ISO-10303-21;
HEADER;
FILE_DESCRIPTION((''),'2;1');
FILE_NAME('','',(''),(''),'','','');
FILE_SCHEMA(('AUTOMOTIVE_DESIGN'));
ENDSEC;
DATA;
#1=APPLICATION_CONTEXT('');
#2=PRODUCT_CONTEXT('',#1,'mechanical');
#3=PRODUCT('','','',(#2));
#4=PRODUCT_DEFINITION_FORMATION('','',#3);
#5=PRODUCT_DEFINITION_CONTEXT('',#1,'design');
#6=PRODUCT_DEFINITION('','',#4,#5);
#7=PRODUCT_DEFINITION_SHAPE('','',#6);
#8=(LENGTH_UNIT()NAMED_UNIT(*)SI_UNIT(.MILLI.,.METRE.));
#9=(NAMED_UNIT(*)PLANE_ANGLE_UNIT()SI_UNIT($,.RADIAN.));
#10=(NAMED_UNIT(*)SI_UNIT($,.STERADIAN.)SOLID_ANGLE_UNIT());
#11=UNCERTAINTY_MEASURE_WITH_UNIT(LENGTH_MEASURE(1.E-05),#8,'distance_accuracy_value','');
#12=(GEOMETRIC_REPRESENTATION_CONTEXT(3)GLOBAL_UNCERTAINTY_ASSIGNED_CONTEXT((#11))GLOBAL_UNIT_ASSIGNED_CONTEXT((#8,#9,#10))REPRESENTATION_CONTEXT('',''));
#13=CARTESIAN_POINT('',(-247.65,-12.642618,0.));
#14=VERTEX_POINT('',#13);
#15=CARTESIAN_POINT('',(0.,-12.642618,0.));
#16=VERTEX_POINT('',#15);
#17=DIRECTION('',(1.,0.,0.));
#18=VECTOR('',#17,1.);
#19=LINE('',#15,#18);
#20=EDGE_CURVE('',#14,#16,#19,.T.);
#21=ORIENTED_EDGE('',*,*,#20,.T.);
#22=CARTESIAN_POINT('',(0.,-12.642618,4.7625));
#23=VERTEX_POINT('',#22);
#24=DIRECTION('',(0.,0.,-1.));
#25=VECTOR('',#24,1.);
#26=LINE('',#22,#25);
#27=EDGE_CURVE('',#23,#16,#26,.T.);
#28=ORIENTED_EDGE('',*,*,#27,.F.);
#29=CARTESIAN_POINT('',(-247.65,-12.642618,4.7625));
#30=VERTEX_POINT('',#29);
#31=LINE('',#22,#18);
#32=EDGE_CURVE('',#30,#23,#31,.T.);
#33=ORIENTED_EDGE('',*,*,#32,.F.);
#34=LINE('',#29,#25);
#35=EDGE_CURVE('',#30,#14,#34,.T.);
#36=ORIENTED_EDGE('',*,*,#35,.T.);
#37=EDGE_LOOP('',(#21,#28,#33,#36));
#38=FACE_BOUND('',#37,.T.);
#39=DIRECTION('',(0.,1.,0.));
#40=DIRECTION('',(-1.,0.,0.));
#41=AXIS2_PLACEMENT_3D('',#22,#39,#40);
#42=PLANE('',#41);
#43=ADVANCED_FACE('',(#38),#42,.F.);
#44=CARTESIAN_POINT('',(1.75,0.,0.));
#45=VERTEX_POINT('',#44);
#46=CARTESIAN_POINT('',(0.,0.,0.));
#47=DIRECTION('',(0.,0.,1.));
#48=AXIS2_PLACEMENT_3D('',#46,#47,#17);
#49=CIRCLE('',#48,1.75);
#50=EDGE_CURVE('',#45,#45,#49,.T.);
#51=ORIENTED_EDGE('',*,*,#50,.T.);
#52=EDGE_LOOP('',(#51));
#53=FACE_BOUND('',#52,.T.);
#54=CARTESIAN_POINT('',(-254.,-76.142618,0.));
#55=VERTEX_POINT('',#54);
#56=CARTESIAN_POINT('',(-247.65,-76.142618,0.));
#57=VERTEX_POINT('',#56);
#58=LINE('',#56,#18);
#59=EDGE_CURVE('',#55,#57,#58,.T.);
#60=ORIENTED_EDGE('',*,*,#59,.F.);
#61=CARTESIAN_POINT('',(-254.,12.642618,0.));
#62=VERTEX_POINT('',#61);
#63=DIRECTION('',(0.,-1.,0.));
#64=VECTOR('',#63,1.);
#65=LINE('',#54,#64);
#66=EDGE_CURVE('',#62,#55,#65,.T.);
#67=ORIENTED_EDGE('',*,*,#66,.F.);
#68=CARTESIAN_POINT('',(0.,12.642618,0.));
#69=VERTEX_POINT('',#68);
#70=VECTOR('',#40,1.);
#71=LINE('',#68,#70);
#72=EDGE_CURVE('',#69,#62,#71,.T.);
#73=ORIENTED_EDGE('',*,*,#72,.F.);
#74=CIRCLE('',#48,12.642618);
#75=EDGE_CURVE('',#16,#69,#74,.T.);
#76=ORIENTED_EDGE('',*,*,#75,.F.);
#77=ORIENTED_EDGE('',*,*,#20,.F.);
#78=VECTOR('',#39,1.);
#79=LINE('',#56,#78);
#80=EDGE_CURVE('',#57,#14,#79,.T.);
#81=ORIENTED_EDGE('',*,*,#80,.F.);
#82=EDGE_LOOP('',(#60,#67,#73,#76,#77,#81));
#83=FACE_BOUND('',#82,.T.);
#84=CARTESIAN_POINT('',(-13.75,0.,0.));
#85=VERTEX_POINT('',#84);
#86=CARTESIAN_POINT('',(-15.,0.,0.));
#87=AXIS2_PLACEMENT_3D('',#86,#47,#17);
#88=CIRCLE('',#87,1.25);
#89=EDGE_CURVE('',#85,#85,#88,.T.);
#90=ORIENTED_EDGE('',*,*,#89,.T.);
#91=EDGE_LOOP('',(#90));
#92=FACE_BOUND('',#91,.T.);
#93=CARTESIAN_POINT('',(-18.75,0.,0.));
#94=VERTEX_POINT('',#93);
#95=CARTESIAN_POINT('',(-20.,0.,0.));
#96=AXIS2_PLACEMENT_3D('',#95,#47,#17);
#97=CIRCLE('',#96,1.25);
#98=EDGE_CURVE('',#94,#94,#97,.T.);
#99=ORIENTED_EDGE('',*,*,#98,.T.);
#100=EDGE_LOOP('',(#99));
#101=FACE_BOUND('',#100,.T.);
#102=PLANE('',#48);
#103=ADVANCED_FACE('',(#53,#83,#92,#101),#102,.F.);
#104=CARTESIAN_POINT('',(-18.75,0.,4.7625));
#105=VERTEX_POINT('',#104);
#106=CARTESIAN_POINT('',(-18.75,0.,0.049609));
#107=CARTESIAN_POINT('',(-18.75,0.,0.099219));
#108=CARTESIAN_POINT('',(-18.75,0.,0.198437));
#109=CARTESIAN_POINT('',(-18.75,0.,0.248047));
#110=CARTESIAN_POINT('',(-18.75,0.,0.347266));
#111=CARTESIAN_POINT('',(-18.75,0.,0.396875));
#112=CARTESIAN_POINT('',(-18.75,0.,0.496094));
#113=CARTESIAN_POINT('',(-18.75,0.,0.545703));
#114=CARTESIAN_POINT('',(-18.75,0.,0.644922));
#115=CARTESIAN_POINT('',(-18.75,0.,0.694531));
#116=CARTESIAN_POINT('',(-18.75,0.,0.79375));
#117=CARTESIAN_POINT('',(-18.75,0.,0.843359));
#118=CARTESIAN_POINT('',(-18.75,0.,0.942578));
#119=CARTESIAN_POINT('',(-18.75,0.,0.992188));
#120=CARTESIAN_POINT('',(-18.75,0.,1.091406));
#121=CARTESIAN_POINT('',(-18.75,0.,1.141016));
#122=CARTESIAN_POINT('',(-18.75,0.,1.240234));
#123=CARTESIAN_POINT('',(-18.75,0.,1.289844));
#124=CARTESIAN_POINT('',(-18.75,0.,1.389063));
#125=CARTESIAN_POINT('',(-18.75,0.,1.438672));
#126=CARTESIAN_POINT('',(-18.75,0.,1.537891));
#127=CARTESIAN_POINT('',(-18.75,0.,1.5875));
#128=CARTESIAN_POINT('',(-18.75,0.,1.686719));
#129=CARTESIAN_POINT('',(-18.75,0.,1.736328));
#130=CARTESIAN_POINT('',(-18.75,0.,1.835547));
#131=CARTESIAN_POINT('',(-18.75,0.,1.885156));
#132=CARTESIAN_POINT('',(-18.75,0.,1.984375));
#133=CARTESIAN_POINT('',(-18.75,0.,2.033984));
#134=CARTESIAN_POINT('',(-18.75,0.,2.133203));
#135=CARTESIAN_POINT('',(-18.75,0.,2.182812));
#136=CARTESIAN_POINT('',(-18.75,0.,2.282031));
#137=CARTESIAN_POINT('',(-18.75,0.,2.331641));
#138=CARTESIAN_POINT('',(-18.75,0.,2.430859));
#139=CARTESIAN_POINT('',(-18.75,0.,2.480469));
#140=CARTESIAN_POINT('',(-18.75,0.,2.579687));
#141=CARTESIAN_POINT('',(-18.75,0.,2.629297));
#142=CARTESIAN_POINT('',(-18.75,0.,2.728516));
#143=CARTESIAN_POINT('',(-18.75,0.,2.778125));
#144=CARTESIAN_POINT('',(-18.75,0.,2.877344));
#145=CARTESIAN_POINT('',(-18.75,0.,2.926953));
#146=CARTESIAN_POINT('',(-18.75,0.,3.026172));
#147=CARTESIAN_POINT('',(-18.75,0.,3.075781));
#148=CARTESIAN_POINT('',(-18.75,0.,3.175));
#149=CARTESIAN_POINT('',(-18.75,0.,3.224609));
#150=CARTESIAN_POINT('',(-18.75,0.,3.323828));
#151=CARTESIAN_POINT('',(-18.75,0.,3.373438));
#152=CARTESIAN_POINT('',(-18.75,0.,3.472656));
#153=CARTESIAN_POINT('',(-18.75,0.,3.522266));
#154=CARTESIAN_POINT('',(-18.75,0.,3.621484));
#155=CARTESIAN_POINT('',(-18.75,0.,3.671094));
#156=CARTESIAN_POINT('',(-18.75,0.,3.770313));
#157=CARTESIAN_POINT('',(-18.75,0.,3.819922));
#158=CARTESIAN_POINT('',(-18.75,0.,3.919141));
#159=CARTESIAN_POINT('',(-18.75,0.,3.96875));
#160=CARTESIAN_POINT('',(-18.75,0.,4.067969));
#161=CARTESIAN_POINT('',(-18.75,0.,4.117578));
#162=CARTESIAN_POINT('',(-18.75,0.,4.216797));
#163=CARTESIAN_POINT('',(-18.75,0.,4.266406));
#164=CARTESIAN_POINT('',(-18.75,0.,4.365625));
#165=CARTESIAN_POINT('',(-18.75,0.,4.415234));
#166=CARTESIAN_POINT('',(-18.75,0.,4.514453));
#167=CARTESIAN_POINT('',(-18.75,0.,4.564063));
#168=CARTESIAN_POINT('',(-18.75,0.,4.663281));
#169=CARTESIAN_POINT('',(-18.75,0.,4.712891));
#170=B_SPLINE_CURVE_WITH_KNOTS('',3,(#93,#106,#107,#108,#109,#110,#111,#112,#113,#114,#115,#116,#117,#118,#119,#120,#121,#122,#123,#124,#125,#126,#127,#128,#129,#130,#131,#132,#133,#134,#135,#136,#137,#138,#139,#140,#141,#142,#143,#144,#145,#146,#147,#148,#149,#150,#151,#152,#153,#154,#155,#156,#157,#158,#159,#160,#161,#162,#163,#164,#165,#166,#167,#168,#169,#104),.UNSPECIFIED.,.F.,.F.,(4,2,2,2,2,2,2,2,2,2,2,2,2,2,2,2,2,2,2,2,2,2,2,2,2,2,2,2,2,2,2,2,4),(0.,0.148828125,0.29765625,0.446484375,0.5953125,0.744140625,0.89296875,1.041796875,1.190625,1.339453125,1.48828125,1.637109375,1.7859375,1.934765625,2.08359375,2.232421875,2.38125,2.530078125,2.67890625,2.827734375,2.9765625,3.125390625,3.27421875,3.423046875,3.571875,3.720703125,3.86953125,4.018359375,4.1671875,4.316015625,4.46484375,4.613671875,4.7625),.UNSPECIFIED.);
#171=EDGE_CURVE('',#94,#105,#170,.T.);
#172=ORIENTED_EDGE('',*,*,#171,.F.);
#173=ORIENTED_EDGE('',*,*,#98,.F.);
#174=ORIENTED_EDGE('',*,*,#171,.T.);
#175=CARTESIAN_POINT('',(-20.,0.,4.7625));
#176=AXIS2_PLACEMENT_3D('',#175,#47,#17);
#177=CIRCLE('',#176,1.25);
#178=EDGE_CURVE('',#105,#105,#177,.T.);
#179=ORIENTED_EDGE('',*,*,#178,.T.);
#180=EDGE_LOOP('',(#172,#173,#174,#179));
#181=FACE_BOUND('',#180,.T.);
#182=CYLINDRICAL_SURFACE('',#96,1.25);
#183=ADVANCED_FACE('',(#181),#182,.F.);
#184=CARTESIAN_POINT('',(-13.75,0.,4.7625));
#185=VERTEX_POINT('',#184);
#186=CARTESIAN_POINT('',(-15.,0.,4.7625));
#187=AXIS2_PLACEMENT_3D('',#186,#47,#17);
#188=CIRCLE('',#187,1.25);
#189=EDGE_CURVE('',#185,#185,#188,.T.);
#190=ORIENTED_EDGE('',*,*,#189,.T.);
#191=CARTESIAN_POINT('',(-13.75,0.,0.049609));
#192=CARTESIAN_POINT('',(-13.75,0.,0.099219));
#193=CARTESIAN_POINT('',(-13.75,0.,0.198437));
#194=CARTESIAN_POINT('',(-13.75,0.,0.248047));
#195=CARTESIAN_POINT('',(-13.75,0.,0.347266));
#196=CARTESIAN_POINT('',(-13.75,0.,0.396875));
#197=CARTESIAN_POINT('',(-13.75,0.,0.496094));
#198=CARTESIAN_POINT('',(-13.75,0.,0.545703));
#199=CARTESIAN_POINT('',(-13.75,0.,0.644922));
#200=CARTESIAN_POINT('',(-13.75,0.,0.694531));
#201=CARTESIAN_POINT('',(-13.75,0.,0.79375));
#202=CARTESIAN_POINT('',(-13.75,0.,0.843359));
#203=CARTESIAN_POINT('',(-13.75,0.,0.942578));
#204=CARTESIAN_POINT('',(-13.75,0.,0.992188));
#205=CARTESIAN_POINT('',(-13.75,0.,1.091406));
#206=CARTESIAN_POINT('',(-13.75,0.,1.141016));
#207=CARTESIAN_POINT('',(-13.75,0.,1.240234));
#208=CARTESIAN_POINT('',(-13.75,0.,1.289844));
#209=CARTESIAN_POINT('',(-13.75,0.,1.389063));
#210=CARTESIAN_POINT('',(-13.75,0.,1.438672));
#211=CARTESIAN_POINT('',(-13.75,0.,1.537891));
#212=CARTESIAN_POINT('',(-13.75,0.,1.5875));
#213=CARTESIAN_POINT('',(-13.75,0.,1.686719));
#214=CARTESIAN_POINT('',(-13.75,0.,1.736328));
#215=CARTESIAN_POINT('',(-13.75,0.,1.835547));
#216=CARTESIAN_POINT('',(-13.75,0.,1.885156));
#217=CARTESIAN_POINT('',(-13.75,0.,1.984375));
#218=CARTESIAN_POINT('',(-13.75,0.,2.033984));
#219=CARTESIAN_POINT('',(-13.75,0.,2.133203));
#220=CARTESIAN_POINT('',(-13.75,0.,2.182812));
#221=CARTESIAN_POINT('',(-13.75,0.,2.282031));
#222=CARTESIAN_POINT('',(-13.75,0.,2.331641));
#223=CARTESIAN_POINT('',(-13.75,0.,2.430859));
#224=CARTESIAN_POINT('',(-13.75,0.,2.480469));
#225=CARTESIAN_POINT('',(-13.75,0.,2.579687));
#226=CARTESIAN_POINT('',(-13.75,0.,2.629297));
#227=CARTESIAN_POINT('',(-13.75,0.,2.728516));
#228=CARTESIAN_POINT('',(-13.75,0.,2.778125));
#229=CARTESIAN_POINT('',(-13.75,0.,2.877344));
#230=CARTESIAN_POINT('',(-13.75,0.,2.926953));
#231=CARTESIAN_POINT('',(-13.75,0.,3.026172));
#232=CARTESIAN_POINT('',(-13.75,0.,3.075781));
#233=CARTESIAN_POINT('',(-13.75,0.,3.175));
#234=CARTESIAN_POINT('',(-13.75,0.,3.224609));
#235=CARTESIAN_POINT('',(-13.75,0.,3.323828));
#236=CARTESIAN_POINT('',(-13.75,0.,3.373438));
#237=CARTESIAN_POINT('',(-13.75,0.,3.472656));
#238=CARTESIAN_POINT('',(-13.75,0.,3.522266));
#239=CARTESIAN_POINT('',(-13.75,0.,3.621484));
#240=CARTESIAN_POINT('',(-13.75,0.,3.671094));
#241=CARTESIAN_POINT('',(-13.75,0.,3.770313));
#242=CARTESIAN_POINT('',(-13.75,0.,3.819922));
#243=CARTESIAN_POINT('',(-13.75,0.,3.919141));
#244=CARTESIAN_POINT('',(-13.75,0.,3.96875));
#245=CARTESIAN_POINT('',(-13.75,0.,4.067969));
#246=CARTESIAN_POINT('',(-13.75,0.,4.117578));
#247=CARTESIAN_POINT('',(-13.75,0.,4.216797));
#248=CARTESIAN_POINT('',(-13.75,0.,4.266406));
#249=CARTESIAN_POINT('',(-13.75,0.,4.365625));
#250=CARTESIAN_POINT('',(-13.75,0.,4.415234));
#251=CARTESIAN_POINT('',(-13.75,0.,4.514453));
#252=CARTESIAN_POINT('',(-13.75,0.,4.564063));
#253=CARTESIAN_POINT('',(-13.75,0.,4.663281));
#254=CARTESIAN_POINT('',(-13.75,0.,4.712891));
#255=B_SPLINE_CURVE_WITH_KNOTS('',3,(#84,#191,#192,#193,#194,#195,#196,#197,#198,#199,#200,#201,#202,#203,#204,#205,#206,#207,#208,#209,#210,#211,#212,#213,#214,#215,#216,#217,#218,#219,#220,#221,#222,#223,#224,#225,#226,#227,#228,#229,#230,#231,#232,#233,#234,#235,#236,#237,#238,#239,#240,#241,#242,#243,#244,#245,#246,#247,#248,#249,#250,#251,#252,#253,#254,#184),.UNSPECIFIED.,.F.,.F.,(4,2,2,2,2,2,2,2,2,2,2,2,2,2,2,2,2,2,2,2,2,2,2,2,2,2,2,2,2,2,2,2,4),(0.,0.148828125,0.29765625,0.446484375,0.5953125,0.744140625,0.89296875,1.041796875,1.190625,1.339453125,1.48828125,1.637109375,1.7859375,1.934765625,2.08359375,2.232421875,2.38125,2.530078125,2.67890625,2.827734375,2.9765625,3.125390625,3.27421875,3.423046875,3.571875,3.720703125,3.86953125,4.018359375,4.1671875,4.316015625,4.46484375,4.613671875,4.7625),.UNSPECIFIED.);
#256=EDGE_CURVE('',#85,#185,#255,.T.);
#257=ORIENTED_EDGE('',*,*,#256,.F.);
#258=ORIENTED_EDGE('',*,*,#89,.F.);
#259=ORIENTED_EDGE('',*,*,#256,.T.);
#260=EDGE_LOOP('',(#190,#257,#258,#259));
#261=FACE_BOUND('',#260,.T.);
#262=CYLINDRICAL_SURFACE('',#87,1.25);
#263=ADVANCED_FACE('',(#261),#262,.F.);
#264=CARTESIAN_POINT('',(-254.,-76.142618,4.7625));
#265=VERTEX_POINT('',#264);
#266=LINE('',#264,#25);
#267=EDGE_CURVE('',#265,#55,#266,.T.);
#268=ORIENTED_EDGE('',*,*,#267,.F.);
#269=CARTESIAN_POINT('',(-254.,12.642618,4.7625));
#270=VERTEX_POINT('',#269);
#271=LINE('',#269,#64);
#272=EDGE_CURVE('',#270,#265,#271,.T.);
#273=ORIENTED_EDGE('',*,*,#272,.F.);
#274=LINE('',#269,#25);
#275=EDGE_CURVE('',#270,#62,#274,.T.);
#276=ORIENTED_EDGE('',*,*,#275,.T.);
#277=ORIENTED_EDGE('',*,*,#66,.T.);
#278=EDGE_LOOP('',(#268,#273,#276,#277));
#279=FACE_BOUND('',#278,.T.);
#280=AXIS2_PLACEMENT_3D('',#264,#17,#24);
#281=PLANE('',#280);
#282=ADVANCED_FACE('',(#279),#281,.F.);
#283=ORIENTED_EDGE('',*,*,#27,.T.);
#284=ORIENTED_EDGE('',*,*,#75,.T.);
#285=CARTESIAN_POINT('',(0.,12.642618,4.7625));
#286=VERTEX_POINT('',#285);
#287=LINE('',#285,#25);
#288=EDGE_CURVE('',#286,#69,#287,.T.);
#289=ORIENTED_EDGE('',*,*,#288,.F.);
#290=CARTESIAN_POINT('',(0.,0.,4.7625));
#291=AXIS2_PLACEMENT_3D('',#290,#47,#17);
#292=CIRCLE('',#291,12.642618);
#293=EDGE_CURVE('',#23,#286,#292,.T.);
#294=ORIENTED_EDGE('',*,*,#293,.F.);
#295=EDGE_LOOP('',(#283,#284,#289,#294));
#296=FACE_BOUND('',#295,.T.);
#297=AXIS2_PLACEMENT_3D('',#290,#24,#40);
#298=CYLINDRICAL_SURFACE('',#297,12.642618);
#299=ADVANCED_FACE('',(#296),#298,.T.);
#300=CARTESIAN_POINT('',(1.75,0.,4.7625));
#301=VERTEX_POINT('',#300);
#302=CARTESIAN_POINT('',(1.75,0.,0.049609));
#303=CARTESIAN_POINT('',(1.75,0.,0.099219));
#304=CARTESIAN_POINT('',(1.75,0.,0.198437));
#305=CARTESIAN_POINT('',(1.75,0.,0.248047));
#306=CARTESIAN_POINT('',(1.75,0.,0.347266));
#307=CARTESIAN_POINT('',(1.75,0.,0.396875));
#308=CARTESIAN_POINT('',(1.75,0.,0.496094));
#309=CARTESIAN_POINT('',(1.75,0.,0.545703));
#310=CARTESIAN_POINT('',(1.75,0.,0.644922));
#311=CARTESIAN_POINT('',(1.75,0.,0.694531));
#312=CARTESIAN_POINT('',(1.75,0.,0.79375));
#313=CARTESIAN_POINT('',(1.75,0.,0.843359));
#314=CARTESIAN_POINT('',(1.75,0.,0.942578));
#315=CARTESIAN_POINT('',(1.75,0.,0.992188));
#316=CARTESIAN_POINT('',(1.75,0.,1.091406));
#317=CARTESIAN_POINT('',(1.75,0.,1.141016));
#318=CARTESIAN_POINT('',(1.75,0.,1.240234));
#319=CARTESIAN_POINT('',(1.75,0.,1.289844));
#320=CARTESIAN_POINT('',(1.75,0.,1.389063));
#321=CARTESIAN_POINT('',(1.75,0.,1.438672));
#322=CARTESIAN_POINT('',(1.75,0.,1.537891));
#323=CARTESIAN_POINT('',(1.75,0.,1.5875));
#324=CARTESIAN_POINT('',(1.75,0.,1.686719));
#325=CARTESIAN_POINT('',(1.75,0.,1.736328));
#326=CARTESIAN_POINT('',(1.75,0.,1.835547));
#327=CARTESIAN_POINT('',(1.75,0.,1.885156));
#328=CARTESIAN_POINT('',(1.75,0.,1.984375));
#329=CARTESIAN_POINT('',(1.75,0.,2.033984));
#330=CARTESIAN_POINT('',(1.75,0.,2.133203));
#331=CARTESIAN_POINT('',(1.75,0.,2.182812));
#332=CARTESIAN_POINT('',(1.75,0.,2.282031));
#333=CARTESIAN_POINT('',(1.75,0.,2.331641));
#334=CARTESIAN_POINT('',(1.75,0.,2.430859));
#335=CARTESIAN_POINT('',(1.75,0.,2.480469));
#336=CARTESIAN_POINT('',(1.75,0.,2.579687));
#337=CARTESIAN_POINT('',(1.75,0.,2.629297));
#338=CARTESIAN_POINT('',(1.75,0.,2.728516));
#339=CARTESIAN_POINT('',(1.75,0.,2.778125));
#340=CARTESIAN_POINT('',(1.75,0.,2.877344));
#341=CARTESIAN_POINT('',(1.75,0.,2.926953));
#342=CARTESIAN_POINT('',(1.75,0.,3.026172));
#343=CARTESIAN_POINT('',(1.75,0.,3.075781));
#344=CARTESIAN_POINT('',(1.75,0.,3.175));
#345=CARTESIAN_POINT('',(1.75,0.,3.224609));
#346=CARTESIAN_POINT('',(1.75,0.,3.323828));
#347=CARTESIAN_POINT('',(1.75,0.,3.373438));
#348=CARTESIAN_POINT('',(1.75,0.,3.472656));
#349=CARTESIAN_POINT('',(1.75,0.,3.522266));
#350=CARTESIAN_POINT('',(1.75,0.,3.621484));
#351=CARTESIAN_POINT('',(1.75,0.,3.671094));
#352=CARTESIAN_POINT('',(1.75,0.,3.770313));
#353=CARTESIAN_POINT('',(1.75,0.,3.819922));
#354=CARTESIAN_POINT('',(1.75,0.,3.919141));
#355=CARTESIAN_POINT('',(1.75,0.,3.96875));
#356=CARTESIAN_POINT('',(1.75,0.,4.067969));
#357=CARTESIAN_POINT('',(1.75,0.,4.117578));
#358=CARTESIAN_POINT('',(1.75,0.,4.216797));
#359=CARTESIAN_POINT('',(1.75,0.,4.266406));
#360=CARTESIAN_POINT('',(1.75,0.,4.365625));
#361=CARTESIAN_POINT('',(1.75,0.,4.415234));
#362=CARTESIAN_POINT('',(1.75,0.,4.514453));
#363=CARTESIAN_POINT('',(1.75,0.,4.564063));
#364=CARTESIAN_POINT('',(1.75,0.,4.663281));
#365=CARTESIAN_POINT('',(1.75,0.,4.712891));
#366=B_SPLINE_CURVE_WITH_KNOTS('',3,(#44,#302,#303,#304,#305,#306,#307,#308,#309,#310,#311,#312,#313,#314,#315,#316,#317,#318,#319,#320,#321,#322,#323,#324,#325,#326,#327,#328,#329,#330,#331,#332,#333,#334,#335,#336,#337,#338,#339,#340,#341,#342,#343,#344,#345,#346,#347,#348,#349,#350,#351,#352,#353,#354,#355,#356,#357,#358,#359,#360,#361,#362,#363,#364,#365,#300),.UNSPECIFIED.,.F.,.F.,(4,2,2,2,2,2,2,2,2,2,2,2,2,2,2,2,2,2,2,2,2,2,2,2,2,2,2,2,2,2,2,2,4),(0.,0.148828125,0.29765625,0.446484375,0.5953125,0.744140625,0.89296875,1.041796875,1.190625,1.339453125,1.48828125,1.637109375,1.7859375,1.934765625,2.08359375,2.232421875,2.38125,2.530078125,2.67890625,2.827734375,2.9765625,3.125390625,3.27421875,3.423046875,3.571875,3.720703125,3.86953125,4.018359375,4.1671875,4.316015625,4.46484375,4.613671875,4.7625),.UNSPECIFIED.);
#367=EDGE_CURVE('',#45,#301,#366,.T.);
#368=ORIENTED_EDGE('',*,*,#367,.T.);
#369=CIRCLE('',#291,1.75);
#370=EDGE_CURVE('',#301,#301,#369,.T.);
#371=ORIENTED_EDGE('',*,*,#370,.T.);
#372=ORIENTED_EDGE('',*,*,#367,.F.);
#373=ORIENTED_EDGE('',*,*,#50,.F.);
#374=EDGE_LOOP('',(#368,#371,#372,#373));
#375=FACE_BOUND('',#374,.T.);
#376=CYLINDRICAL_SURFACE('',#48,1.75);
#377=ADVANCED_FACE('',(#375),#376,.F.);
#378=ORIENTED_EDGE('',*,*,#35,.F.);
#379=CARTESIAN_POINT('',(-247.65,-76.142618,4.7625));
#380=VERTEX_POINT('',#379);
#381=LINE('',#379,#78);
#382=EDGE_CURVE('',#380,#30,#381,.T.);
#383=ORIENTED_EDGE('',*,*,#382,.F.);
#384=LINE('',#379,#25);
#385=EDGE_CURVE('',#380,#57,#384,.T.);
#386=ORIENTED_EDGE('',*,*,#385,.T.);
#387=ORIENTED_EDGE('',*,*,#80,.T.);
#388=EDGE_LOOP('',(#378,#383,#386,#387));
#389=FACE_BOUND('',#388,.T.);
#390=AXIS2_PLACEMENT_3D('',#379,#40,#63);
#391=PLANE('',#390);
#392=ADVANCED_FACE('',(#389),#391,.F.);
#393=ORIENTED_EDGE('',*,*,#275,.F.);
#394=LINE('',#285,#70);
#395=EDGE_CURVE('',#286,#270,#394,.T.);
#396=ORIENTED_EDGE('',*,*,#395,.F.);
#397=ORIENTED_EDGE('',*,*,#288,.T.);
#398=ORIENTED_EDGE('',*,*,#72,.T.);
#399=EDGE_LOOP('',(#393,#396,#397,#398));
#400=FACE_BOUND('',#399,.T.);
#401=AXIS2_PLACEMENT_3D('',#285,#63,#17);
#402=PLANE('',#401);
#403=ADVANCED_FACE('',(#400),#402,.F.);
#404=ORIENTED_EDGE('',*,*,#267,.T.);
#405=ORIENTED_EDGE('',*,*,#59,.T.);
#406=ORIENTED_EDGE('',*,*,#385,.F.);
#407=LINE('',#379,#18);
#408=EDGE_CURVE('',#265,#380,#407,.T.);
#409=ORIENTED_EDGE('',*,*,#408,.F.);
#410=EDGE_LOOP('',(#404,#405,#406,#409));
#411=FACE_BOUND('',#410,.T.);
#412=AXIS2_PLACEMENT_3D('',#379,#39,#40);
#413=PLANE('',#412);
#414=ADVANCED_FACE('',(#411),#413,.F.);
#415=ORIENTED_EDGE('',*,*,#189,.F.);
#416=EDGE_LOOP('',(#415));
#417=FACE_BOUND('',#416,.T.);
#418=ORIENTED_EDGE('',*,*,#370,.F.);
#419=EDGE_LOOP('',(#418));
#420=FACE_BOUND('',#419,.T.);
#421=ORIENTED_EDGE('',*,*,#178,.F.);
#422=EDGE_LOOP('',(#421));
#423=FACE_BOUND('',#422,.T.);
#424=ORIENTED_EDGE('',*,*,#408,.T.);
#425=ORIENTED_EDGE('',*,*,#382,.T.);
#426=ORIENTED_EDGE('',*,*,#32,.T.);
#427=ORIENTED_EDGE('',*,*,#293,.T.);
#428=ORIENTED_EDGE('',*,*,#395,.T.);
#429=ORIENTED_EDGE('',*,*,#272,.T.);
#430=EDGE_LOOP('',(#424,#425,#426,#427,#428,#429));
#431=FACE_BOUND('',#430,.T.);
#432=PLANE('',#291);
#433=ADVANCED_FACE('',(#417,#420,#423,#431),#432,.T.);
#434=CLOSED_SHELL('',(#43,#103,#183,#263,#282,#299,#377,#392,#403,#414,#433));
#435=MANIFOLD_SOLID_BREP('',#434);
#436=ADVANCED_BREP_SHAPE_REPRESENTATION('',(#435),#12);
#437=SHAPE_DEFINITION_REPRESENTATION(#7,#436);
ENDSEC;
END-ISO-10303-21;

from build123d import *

# Parameters (mm, degrees)
BOSS_EXTRUDE1_DEPTH = 4.7625
SKETCH3_R           = 1.25
CUT_EXTRUDE1_DEPTH  = 266.210067011
SKETCH4_R           = 1.75
CUT_EXTRUDE2_DEPTH  = 266.210067011


with BuildPart() as part:
    # Sketch1 → Boss-Extrude1 (new body)
    with BuildSketch(Plane.XY):
        with BuildLine():
            Line((0, 12.64261775), (-254, 12.64261775))
            Line((-254, 12.64261775), (-254, -12.64261775))
            Line((-254, -12.64261775), (-254, -76.14261775))
            Line((-254, -76.14261775), (-247.65, -76.14261775))
            Line((-247.65, -76.14261775), (-247.65, -12.64261775))
            Line((-247.65, -12.64261775), (0, -12.64261775))
            ThreePointArc((0, -12.64261775), (12.64261775, 0), (0, 12.64261775))
        make_face()
    extrude(amount=BOSS_EXTRUDE1_DEPTH)

    # Sketch3 → Cut-Extrude1 (cut, through all)
    with BuildSketch(Plane.XY.offset(4.7625)):
        with Locations((-15, 0)):
            Circle(SKETCH3_R)
        with Locations((-20, 0)):
            Circle(SKETCH3_R)
    extrude(amount=-CUT_EXTRUDE1_DEPTH, mode=Mode.SUBTRACT)

    # Sketch4 → Cut-Extrude2 (cut, through all)
    with BuildSketch(Plane.XY.offset(4.7625)):
        Circle(SKETCH4_R)
    extrude(amount=-CUT_EXTRUDE2_DEPTH, mode=Mode.SUBTRACT)


solid = part.part
